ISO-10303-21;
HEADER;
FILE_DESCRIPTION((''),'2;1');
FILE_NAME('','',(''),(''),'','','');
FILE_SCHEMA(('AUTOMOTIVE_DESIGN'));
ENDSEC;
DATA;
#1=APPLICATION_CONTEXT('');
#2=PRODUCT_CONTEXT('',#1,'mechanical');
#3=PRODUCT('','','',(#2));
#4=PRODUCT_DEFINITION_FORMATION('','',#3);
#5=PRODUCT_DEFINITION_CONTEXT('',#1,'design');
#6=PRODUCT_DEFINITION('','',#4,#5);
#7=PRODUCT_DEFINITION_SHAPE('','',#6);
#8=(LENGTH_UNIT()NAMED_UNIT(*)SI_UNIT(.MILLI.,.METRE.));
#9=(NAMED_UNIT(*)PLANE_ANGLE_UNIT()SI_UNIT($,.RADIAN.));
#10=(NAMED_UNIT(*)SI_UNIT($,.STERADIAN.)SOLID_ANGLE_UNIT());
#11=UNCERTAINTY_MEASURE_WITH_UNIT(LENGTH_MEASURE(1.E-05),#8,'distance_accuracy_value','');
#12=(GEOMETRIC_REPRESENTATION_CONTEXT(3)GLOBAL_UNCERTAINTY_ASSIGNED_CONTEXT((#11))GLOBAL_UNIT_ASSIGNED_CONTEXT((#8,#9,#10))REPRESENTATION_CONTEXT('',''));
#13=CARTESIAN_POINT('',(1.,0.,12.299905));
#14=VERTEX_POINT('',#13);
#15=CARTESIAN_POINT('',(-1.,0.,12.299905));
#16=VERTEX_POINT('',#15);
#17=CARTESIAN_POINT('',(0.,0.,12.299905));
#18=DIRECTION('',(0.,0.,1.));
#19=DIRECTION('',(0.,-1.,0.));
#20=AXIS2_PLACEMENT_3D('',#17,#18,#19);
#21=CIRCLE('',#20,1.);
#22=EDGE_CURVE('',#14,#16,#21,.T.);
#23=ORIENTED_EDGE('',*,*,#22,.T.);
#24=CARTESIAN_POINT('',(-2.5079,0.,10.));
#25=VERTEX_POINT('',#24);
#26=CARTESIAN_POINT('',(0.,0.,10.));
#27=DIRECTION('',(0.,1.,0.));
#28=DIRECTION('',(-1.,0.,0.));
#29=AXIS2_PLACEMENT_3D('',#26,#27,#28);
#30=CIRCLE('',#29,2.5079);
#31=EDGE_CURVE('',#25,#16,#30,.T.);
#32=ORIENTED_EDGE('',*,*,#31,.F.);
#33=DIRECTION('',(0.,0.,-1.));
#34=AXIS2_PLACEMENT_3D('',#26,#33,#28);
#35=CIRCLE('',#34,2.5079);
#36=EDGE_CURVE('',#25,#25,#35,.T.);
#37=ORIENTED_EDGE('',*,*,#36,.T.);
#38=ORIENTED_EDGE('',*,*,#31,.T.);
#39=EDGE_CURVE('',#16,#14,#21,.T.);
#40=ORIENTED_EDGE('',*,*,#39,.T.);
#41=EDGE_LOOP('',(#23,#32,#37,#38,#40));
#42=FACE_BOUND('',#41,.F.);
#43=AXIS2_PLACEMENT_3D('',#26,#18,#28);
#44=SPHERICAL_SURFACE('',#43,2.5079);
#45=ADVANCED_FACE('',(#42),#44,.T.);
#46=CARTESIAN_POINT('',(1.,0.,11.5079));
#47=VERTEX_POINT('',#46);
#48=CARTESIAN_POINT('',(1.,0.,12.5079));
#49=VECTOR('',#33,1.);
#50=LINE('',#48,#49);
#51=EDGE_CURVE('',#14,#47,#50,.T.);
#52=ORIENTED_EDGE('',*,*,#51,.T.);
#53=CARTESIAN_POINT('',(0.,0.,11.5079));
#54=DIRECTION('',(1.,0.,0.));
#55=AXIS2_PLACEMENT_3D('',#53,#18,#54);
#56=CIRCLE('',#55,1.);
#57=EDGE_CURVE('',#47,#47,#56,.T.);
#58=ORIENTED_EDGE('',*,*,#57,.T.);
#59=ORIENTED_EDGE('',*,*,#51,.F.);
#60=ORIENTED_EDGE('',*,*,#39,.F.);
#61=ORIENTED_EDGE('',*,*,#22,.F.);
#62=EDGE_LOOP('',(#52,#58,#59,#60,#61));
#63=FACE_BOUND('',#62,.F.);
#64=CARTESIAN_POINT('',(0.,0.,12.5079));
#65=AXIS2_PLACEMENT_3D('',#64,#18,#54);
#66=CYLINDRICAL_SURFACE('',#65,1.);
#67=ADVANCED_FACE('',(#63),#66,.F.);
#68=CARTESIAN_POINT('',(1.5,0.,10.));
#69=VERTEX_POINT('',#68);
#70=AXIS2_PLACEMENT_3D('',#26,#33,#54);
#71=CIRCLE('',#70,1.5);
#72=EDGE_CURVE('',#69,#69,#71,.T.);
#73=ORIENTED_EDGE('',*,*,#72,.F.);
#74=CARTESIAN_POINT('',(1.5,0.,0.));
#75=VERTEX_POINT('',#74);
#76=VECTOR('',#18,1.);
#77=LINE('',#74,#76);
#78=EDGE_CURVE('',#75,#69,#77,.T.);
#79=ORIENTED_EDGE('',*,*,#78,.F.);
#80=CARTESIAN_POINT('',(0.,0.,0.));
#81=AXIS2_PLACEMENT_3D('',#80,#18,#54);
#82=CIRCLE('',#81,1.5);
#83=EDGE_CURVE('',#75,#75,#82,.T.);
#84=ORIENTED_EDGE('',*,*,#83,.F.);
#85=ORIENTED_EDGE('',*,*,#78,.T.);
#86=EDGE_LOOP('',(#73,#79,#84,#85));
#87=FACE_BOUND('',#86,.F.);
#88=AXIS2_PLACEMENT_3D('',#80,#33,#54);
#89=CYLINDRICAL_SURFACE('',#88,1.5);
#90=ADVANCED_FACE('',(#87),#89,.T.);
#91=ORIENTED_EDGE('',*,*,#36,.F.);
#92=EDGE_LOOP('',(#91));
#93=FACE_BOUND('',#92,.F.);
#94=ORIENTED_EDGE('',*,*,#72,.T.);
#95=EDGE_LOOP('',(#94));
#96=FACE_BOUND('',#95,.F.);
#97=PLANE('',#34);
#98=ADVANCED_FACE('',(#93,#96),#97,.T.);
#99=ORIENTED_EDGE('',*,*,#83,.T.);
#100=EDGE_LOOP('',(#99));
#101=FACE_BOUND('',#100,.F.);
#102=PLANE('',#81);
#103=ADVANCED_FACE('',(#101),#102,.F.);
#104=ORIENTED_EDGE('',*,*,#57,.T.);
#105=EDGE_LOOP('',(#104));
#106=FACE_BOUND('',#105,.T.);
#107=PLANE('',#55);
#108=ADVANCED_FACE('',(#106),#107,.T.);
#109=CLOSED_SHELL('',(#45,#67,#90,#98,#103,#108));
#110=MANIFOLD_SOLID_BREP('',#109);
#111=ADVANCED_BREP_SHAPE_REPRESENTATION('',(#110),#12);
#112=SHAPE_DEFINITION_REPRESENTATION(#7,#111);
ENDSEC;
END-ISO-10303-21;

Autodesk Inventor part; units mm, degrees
ref_plane "YZ Plane" through (0, 0, 0) normal (1, 0, 0) x (0, 1, 0)
ref_plane "XZ Plane" through (0, 0, 0) normal (0, 1, 0) x (-1, 0, 0)
sketch "Sketch1" plane through (0, 0, 0) normal (0, 0, 1) x (1, 0, 0)
  circle A0 centre (0, 0) radius 1.5
  dimension "d0" = 3
extrude "Extrusion1" add sketch "Sketch1" along normal blind 10
sketch "Sketch2" plane through (0, 0, 0) normal (0, 1, 0) x (-1, 0, 0)
  line L0 (1.5, 10) -> (-1.5, 10) projected
  line L1 (1.5, 0) -> (-1.5, 0) projected
  line L2 (1.5, 10) -> (-1.5, 10) projected
  line L3 (0, 12.0549) -> (0, 7.9451)
  arc A0 (2.5079, 10) -> (-2.5079, 10) centre (0, 10) ccw
  line L4 (-2.5079, 10) -> (2.5079, 10)
  line L5 (0, 10) -> (0, 12.5079)
  point P0 (0, 0)
revolve "Revolution1" add sketch "Sketch2" angle 360 about axis through (0, 0, 12.0549) along (0, 0, -1) picked at (0.5212, 11.3386) contours L0 L3 L5 A0 L4
ref_plane "Work Plane1" through (0, 0, 12.5079) normal (0, 0, 1) x (1, 0, 0)
sketch "Sketch3" plane through (0, 0, 12.5079) normal (0, 0, 1) x (1, 0, 0)
  circle A0 centre (0, 0) radius 1
  dimension "d4" = 2
extrude "Extrusion2" cut sketch "Sketch3" against normal blind 1
properties part number "Perno"
